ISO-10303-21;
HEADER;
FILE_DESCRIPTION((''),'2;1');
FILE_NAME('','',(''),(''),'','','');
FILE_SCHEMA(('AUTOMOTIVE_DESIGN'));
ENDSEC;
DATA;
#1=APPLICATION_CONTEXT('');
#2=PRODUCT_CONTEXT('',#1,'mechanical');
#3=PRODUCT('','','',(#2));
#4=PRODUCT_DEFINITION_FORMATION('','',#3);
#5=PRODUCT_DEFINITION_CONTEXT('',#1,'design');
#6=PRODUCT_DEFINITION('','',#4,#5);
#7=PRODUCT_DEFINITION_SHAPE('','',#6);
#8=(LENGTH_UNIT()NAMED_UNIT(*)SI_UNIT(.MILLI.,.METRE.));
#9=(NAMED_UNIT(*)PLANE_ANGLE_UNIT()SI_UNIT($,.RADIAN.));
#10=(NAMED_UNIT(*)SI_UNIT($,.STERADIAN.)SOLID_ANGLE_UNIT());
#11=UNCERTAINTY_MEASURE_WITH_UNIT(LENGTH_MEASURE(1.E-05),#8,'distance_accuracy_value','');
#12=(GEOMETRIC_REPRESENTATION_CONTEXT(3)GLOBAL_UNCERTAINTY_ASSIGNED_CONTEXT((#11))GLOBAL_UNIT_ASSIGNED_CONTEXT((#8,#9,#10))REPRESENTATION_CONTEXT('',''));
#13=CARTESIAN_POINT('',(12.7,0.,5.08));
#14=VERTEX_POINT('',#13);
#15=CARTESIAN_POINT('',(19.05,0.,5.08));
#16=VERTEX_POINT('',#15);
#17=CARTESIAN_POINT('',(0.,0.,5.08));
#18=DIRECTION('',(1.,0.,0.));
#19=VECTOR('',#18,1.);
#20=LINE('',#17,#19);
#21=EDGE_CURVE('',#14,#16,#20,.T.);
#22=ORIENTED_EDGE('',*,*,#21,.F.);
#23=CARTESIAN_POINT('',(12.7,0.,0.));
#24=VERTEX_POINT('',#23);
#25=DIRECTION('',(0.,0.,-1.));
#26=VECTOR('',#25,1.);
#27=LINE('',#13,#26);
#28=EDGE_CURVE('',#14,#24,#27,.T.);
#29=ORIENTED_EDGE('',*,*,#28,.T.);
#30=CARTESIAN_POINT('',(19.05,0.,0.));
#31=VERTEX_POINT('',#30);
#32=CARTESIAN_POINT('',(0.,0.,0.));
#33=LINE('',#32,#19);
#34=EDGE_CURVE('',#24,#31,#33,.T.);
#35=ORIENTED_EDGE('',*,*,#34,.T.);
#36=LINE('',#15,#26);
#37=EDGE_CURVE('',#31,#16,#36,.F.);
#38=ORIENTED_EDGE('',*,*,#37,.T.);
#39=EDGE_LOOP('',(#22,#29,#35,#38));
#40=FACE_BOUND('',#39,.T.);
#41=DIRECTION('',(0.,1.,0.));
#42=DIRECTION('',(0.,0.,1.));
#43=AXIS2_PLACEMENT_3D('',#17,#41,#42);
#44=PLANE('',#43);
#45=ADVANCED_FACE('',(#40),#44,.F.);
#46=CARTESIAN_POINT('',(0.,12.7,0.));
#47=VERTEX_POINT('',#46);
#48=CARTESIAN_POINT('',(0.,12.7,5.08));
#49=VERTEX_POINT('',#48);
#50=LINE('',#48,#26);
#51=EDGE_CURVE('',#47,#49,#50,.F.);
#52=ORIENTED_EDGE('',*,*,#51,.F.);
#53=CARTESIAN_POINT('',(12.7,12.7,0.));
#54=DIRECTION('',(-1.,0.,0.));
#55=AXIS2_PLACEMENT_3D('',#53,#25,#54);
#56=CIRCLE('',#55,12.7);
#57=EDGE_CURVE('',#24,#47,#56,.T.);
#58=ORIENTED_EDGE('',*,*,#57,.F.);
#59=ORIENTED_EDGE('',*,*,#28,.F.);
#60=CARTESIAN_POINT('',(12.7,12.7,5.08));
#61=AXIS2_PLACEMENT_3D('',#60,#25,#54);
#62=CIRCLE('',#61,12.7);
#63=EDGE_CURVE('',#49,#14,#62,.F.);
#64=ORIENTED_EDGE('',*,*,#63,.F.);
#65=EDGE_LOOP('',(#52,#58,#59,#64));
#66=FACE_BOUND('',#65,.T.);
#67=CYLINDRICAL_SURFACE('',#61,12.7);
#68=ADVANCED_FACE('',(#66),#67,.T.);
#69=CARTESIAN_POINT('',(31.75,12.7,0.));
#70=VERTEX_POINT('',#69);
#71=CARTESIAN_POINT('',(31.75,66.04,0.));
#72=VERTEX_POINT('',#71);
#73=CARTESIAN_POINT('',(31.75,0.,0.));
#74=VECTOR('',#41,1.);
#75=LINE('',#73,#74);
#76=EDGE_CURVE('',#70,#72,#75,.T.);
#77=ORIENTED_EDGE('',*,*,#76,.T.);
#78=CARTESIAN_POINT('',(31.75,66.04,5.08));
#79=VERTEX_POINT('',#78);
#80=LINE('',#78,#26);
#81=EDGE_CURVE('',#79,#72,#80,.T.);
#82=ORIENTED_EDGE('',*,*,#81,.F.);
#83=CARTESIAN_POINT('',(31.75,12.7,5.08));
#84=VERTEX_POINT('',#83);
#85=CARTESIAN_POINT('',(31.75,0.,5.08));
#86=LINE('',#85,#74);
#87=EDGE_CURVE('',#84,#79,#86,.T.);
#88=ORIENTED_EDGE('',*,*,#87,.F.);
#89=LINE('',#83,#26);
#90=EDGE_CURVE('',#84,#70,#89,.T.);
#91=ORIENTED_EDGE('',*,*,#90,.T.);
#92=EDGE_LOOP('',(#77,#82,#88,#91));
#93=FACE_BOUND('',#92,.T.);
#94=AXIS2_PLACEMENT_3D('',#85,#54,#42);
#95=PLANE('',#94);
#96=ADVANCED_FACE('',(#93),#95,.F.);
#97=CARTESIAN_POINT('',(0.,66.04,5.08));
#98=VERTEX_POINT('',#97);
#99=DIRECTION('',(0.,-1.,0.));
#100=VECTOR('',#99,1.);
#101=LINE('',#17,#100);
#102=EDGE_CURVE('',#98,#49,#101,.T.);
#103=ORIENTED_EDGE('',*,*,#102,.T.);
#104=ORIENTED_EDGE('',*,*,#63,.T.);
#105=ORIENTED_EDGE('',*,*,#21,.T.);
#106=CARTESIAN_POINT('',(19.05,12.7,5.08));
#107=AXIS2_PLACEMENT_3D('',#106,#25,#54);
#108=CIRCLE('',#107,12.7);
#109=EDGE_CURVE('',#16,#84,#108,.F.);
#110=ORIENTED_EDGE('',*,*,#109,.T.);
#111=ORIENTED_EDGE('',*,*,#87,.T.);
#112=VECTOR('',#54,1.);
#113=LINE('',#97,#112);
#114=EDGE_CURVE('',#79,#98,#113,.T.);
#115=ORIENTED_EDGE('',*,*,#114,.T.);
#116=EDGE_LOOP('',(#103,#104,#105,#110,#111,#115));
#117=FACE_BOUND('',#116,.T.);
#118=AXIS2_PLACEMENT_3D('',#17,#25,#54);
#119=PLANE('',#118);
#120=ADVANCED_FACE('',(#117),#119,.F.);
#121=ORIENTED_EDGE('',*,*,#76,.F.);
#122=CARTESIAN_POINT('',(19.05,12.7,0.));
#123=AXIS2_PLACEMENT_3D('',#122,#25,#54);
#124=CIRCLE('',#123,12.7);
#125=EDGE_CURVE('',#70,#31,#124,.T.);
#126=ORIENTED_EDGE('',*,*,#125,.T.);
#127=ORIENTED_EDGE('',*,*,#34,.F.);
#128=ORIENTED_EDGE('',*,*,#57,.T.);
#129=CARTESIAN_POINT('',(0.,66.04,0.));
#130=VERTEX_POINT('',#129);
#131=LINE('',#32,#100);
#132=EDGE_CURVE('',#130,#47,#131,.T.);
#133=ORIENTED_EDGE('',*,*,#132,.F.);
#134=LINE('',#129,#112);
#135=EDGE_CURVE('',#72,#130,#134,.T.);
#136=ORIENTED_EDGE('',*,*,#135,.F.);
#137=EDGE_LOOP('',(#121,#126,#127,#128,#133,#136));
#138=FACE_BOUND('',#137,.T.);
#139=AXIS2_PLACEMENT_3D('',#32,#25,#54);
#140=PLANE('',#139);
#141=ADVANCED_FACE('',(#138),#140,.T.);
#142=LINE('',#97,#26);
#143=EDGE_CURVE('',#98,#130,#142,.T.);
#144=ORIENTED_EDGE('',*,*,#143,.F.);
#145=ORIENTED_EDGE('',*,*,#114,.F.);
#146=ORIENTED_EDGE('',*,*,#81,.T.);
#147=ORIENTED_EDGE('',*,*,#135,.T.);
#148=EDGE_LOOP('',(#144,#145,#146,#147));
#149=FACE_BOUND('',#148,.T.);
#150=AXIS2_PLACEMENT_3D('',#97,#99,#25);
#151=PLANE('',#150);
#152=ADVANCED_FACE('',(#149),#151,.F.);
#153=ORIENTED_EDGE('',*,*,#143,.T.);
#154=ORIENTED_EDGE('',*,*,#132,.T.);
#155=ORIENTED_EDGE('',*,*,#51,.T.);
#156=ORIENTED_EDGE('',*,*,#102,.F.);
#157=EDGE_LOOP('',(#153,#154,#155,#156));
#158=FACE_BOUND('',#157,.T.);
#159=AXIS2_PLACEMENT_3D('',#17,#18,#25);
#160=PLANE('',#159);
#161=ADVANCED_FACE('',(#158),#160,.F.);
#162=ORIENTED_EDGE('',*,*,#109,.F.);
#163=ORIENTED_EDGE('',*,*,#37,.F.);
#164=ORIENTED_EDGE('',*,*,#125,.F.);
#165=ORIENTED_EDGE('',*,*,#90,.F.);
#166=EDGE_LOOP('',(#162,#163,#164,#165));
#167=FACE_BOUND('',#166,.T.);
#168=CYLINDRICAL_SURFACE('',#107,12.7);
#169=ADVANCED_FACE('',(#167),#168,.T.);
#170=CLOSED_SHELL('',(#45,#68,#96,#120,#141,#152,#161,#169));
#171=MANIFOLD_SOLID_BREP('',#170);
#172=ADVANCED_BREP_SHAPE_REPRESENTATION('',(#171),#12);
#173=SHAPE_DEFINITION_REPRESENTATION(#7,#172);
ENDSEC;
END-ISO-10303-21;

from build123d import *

# Parameters (mm, degrees)
SKETCH1_W           = 31.75
SKETCH1_H           = 66.04
BOSS_EXTRUDE1_DEPTH = 5.08
FILLET1_R           = 12.7


with BuildPart() as part:
    # Sketch1 → Boss-Extrude1 (new body)
    with BuildSketch(Plane.XY):
        with Locations((15.875, 33.02)):
            Rectangle(SKETCH1_W, SKETCH1_H)
    extrude(amount=BOSS_EXTRUDE1_DEPTH)

    # Fillet1
    fillet1_edges = [part.edges().sort_by_distance(p)[0] for p in [
        (31.75, 0, 2.54),
        (0, 0, 2.54),
    ]]
    fillet(fillet1_edges, radius=FILLET1_R)


solid = part.part
